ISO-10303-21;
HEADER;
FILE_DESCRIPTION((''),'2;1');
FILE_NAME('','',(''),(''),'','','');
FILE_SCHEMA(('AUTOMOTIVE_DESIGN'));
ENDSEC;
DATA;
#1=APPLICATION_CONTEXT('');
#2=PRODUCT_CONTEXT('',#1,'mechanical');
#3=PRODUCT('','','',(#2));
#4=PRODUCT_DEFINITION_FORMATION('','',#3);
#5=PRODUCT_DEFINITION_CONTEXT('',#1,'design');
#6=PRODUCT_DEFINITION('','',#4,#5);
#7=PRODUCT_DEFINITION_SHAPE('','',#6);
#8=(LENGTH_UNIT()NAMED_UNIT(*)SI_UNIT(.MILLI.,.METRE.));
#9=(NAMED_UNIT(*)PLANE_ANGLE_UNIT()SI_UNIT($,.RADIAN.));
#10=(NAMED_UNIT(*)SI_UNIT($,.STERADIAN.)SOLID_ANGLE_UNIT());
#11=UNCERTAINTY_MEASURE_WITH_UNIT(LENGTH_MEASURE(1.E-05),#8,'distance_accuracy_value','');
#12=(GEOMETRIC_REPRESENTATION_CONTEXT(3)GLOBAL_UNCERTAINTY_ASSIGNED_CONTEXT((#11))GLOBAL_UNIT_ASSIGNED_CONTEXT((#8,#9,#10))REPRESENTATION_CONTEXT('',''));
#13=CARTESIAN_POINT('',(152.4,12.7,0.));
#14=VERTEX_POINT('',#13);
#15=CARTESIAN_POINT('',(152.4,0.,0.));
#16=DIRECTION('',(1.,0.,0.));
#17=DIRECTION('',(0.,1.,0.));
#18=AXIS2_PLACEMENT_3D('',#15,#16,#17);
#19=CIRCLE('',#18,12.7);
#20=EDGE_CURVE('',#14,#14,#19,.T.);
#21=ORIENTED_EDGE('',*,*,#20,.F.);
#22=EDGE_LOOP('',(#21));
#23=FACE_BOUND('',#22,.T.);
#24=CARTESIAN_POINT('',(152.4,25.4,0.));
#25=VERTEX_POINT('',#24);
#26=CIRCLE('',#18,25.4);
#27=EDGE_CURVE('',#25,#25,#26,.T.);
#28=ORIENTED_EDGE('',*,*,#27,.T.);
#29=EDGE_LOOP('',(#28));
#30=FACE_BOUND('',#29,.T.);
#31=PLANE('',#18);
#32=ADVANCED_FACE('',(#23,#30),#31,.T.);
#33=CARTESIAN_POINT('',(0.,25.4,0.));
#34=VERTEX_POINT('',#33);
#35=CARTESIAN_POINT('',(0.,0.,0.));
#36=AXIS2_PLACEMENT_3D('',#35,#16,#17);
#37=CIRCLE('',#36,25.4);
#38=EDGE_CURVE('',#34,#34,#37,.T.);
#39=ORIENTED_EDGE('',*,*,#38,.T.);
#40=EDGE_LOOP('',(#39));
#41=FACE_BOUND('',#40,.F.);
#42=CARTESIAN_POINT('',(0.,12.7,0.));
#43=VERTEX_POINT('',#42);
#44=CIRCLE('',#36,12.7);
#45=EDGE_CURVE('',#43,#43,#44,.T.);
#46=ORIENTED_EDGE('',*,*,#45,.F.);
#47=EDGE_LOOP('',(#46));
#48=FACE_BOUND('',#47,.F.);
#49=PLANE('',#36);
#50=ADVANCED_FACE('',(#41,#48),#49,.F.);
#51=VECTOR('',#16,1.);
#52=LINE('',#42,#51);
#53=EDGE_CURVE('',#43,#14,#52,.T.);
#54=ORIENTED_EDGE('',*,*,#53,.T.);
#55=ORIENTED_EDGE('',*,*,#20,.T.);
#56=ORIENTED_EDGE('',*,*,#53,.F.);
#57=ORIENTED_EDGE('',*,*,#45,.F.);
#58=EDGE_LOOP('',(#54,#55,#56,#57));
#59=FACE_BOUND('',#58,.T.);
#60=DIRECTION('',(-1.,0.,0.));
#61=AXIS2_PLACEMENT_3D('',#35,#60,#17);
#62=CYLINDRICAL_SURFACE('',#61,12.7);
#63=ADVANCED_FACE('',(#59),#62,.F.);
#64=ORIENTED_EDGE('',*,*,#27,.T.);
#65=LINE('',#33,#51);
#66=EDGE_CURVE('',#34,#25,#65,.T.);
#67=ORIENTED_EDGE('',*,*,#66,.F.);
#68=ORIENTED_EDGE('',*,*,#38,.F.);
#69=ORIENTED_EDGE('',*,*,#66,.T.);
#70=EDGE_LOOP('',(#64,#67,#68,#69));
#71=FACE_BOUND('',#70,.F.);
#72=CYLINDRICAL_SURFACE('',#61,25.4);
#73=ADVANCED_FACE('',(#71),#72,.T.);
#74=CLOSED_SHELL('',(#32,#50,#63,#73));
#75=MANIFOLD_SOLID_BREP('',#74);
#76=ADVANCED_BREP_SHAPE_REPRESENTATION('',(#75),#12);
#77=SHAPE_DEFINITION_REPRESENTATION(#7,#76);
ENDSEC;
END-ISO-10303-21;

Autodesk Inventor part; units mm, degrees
ref_plane "YZ Plane" through (0, 0, 0) normal (1, 0, 0) x (0, 1, 0)
ref_plane "XZ Plane" through (0, 0, 0) normal (0, 1, 0) x (-1, 0, 0)
ref_plane "XY Plane" through (0, 0, 0) normal (0, 0, 1) x (1, 0, 0)
sketch "Sketch1" plane through (0, 0, 0) normal (1, 0, 0) x (0, 1, 0)
  circle A0 centre (0, 0) radius 25.4
  circle A1 centre (0, 0) radius 12.7
  dimension "d0" = 50.8
  dimension "d1" = 25.4
extrude "Extrusion1" add sketch "Sketch1" along normal blind 152.4
properties part number "axle_word_used_loosely"
